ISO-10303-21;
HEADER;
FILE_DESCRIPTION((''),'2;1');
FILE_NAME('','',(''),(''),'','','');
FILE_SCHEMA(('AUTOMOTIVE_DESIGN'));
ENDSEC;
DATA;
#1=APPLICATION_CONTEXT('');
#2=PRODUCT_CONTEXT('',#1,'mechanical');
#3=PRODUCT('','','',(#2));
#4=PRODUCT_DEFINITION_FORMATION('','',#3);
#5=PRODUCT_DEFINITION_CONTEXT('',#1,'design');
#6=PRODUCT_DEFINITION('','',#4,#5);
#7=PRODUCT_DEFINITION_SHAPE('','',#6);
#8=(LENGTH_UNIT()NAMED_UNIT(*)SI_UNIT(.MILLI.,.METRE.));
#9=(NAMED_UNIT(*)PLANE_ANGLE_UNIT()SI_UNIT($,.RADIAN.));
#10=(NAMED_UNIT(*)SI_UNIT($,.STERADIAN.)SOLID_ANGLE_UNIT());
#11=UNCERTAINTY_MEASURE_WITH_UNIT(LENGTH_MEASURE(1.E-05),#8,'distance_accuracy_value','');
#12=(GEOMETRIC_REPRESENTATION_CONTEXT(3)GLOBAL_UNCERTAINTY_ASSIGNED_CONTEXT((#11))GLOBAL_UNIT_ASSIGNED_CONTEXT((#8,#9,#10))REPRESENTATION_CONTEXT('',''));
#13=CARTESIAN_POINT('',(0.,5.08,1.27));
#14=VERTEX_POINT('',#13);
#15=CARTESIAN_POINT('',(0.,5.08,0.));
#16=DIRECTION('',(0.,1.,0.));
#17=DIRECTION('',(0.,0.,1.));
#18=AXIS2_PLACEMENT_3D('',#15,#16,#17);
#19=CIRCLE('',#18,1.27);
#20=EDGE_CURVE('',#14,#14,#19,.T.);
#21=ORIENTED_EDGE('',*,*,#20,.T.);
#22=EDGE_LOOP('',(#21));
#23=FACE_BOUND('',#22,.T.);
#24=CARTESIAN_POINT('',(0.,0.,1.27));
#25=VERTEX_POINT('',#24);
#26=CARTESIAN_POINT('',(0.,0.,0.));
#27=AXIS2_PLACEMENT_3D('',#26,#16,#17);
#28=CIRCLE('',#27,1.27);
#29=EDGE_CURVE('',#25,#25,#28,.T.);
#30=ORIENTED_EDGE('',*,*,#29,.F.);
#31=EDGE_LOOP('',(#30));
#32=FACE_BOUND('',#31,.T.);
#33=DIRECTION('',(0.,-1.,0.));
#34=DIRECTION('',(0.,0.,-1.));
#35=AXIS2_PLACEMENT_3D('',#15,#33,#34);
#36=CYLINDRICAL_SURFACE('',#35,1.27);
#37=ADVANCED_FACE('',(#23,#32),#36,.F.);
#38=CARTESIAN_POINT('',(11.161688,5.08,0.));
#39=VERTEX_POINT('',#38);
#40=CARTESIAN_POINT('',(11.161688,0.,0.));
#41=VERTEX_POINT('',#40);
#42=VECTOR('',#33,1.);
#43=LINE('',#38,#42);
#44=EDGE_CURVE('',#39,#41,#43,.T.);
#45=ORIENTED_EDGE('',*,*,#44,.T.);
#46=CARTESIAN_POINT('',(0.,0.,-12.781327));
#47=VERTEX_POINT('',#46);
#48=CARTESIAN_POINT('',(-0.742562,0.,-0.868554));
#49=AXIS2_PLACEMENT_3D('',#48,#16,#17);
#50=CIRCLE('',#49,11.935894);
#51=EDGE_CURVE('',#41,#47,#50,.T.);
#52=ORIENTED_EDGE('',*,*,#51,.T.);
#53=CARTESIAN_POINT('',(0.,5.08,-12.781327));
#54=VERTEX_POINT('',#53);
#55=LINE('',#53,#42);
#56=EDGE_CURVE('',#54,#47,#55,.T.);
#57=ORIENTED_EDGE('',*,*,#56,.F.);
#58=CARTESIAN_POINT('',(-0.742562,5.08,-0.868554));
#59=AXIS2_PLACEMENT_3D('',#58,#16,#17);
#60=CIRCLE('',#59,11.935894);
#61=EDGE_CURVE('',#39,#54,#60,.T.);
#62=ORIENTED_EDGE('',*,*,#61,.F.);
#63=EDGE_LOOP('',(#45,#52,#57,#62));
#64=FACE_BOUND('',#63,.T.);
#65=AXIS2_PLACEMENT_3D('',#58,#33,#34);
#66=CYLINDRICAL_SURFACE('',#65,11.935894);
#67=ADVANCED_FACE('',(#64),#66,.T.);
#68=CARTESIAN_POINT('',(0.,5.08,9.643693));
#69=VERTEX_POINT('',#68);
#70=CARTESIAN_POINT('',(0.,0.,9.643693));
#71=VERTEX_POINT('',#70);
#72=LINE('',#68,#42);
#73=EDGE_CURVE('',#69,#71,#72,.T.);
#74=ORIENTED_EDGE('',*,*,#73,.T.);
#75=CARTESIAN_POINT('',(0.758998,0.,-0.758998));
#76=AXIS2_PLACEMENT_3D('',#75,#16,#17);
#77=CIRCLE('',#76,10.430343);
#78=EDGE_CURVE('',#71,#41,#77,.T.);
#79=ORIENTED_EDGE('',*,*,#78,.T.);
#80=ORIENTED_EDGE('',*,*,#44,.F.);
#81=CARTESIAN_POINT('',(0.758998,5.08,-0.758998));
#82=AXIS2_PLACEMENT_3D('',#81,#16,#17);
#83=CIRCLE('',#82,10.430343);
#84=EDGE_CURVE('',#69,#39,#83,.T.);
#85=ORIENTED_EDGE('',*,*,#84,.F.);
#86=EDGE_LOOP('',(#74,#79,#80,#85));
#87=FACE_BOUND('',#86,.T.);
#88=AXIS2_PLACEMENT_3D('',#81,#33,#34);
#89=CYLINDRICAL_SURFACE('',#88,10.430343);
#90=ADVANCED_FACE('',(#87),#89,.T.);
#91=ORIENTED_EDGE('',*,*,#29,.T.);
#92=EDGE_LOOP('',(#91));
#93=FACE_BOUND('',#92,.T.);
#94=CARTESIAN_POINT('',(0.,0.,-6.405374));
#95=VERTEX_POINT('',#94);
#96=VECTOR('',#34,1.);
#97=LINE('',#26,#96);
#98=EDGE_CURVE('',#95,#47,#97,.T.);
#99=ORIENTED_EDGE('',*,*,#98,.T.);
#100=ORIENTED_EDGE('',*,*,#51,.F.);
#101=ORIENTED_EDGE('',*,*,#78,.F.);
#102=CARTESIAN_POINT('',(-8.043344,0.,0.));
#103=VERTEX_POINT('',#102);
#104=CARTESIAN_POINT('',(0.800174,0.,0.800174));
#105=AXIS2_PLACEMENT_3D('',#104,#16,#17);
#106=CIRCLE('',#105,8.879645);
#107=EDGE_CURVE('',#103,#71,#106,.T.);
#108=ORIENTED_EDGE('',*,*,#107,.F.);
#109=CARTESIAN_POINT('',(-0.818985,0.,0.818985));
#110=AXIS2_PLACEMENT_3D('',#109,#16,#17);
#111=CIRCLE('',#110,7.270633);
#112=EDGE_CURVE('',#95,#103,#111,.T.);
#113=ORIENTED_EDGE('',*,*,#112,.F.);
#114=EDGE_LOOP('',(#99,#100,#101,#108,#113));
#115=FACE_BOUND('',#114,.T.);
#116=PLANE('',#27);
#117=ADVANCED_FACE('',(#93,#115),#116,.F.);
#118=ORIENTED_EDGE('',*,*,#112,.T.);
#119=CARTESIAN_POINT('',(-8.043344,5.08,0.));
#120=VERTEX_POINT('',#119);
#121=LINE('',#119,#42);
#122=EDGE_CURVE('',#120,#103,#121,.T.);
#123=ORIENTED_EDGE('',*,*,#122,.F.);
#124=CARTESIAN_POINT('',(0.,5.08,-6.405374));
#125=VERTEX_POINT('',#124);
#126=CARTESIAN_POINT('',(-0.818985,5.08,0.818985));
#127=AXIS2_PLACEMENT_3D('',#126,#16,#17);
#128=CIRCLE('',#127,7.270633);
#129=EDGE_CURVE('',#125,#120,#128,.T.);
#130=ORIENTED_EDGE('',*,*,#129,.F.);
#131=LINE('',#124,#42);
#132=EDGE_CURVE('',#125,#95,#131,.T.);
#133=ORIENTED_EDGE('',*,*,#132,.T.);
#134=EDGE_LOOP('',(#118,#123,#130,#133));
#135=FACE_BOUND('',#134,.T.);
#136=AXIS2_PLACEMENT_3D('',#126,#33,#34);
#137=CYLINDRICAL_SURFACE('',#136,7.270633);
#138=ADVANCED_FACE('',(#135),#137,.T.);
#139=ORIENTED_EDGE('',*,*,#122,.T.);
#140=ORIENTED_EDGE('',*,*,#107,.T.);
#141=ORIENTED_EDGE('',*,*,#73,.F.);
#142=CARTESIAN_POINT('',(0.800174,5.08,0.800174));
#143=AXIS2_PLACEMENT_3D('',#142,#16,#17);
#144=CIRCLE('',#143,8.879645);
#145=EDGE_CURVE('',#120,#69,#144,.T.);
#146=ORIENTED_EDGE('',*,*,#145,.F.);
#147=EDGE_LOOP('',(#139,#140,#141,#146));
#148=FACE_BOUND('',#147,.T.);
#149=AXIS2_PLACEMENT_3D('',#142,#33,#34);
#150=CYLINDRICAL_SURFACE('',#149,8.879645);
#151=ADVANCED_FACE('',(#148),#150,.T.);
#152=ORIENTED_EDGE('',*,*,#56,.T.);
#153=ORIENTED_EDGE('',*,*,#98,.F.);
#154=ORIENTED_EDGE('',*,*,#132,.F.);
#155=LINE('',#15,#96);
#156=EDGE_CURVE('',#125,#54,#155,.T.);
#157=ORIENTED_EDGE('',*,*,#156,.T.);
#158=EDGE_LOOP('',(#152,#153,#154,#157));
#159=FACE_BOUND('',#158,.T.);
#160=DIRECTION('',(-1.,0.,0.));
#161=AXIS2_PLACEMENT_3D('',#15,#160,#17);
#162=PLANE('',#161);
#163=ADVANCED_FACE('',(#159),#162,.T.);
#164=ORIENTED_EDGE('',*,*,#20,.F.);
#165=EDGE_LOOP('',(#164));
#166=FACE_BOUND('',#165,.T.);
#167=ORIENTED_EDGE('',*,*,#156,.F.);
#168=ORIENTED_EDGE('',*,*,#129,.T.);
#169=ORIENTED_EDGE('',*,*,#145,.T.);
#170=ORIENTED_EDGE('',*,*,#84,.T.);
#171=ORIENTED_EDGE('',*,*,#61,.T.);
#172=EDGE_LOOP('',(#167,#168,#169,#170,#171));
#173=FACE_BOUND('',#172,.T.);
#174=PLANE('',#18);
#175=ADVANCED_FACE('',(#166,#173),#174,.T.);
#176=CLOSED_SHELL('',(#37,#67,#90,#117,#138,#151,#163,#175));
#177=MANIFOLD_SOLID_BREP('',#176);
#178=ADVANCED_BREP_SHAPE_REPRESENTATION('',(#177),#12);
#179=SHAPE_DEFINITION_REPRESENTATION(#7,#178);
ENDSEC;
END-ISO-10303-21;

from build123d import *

# Parameters (mm, degrees)
SKETCH1_R           = 1.27
BOSS_EXTRUDE5_DEPTH = 5.08


with BuildPart() as part:
    # Sketch1 → Boss-Extrude5 (new body)
    with BuildSketch(Plane(origin=(0, 0, 0), x_dir=(1, 0, 0), z_dir=(0, 1, 0))):
        with BuildLine():
            Line((0, 6.405373718), (0, 12.781326863))
            ThreePointArc((0, 12.781326863), (8.247768787, 8.719637674), (11.161688458, 0))
            ThreePointArc((11.161688458, 0), (7.57811845, -7.133507881), (0, -9.643693024))
            ThreePointArc((0, -9.643693024), (-6.018946269, -6.487677618), (-8.043344095, 0))
            ThreePointArc((-8.043344095, 0), (-5.348268381, 4.868517964), (0, 6.405373718))
        make_face()
        Circle(SKETCH1_R, mode=Mode.SUBTRACT)
    extrude(amount=BOSS_EXTRUDE5_DEPTH)


solid = part.part
